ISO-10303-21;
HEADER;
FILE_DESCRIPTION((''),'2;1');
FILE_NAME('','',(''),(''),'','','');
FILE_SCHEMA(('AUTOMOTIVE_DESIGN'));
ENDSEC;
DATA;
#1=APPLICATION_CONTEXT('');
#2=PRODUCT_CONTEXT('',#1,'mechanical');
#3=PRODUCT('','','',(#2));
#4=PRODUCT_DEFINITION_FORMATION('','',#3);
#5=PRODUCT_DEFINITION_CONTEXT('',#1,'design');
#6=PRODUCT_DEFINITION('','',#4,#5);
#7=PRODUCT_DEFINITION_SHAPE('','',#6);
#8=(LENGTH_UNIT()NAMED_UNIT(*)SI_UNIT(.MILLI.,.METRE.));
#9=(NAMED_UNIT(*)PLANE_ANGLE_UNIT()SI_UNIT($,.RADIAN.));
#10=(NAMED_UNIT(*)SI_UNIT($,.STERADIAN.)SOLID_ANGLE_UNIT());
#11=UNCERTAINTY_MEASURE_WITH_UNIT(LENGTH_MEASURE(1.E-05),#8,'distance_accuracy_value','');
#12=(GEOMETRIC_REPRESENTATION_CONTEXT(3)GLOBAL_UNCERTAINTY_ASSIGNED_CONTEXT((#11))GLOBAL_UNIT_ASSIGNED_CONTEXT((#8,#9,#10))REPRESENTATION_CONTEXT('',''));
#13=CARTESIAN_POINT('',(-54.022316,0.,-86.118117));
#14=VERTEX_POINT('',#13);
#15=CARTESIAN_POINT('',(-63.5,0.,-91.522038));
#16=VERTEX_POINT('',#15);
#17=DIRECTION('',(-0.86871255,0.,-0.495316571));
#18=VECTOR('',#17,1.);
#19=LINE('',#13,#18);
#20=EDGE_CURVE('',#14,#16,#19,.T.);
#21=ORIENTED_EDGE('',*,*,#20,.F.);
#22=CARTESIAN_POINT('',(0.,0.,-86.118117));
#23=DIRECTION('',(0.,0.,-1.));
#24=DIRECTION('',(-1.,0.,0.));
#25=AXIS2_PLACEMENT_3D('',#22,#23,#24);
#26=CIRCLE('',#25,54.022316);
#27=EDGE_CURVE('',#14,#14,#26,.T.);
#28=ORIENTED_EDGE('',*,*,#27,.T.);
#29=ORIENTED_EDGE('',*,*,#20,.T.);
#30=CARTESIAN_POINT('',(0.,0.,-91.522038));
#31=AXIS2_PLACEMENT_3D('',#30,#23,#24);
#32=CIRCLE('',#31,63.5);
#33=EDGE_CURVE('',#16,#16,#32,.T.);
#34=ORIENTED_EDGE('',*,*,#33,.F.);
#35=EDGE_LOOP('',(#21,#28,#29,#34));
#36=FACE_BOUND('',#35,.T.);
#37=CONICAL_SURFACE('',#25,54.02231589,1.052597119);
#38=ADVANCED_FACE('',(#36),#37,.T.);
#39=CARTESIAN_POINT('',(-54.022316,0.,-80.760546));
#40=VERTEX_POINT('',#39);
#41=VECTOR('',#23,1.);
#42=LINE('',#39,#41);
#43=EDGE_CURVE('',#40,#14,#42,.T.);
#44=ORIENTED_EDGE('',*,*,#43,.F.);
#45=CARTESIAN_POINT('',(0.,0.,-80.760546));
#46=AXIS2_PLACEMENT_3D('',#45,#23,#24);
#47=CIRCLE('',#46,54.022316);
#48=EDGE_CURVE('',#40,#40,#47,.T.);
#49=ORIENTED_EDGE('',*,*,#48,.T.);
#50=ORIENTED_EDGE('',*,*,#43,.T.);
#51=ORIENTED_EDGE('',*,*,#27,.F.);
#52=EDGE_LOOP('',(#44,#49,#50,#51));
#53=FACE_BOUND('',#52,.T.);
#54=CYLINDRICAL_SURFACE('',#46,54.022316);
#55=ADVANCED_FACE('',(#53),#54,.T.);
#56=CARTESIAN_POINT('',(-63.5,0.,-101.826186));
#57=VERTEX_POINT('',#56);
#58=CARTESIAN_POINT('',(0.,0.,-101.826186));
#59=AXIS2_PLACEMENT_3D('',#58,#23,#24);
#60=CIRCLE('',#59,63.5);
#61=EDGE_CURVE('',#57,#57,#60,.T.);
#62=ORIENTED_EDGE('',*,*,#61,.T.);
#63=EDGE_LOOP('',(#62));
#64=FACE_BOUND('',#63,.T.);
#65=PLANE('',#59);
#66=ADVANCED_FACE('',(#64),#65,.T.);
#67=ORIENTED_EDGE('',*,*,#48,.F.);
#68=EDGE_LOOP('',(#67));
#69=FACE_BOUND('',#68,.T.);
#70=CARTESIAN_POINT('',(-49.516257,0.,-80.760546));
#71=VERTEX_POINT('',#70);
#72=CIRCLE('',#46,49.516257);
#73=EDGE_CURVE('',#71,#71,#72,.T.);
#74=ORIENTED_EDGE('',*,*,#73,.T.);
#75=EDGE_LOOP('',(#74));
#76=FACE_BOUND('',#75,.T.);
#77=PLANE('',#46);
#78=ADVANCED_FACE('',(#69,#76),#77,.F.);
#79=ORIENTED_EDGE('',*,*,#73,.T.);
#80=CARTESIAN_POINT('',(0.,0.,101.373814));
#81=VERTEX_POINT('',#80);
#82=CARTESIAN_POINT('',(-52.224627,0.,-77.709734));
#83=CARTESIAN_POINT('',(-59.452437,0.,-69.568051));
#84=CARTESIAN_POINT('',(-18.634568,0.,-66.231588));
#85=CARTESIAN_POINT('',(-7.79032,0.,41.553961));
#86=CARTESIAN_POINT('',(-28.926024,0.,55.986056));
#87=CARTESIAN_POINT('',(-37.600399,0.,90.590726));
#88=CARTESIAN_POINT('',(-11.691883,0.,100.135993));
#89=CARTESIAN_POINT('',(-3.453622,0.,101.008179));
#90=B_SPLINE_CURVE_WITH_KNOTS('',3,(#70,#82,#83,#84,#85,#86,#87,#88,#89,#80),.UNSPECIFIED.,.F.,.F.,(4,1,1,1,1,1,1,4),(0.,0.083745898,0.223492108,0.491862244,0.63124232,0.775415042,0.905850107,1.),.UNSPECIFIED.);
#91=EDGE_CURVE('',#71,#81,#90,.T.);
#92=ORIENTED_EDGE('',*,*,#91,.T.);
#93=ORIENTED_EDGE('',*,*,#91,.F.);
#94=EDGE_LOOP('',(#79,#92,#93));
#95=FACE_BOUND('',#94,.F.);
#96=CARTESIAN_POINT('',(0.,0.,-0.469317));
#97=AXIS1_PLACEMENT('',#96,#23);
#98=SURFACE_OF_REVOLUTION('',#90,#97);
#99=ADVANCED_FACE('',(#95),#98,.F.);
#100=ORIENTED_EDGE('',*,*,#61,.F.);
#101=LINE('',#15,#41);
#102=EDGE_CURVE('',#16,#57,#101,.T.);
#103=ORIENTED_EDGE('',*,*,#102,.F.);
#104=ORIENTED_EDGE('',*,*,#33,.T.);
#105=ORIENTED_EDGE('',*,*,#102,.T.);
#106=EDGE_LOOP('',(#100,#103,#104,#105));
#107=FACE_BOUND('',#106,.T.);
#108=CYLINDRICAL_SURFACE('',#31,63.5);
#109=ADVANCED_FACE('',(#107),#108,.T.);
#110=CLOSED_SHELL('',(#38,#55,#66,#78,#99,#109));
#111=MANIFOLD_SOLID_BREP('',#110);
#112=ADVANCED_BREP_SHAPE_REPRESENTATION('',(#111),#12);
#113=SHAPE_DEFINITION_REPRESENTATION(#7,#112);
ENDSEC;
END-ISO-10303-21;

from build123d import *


with BuildPart() as f1:
    # F0 (on Front) → F1 (revolve)
    with BuildSketch(Plane.XZ):
        with BuildLine():
            Line((0, -101.8261858703), (0, 101.3738141297))
            add(Edge.make_bspline(
                [(-49.5162568986, -80.7605460286), (-52.2246272316, -77.7097336238), (-59.4524367445, -69.5680512796), (-18.6345679885, -66.2315883699), (-7.7903198526, 41.5539608196), (-28.9260235007, 55.9860560586), (-37.6003993296, 90.590726386), (-11.6918833444, 100.1359929955), (-3.4536215986, 101.0081787844), (0, 101.3738141297)],
                knots=[0, 0, 0, 0, 0.0837458977, 0.2234921084, 0.4918622436, 0.6312423196, 0.7754150421, 0.905850107, 1, 1, 1, 1], degree=3))
            Line((-49.5162568986, -80.7605460286), (-54.0223158896, -80.7605460286))
            Line((-54.0223158896, -80.7605460286), (-54.0223158896, -86.1181169748))
            Line((-54.0223158896, -86.1181169748), (-63.5, -91.5220379829))
            Line((-63.5, -91.5220379829), (-63.5, -101.8261858703))
            Line((-63.5, -101.8261858703), (0, -101.8261858703))
        make_face()
    revolve(axis=Axis((0, 0, -0.4693174736), (0, 0, -1)))


solid = f1.part
